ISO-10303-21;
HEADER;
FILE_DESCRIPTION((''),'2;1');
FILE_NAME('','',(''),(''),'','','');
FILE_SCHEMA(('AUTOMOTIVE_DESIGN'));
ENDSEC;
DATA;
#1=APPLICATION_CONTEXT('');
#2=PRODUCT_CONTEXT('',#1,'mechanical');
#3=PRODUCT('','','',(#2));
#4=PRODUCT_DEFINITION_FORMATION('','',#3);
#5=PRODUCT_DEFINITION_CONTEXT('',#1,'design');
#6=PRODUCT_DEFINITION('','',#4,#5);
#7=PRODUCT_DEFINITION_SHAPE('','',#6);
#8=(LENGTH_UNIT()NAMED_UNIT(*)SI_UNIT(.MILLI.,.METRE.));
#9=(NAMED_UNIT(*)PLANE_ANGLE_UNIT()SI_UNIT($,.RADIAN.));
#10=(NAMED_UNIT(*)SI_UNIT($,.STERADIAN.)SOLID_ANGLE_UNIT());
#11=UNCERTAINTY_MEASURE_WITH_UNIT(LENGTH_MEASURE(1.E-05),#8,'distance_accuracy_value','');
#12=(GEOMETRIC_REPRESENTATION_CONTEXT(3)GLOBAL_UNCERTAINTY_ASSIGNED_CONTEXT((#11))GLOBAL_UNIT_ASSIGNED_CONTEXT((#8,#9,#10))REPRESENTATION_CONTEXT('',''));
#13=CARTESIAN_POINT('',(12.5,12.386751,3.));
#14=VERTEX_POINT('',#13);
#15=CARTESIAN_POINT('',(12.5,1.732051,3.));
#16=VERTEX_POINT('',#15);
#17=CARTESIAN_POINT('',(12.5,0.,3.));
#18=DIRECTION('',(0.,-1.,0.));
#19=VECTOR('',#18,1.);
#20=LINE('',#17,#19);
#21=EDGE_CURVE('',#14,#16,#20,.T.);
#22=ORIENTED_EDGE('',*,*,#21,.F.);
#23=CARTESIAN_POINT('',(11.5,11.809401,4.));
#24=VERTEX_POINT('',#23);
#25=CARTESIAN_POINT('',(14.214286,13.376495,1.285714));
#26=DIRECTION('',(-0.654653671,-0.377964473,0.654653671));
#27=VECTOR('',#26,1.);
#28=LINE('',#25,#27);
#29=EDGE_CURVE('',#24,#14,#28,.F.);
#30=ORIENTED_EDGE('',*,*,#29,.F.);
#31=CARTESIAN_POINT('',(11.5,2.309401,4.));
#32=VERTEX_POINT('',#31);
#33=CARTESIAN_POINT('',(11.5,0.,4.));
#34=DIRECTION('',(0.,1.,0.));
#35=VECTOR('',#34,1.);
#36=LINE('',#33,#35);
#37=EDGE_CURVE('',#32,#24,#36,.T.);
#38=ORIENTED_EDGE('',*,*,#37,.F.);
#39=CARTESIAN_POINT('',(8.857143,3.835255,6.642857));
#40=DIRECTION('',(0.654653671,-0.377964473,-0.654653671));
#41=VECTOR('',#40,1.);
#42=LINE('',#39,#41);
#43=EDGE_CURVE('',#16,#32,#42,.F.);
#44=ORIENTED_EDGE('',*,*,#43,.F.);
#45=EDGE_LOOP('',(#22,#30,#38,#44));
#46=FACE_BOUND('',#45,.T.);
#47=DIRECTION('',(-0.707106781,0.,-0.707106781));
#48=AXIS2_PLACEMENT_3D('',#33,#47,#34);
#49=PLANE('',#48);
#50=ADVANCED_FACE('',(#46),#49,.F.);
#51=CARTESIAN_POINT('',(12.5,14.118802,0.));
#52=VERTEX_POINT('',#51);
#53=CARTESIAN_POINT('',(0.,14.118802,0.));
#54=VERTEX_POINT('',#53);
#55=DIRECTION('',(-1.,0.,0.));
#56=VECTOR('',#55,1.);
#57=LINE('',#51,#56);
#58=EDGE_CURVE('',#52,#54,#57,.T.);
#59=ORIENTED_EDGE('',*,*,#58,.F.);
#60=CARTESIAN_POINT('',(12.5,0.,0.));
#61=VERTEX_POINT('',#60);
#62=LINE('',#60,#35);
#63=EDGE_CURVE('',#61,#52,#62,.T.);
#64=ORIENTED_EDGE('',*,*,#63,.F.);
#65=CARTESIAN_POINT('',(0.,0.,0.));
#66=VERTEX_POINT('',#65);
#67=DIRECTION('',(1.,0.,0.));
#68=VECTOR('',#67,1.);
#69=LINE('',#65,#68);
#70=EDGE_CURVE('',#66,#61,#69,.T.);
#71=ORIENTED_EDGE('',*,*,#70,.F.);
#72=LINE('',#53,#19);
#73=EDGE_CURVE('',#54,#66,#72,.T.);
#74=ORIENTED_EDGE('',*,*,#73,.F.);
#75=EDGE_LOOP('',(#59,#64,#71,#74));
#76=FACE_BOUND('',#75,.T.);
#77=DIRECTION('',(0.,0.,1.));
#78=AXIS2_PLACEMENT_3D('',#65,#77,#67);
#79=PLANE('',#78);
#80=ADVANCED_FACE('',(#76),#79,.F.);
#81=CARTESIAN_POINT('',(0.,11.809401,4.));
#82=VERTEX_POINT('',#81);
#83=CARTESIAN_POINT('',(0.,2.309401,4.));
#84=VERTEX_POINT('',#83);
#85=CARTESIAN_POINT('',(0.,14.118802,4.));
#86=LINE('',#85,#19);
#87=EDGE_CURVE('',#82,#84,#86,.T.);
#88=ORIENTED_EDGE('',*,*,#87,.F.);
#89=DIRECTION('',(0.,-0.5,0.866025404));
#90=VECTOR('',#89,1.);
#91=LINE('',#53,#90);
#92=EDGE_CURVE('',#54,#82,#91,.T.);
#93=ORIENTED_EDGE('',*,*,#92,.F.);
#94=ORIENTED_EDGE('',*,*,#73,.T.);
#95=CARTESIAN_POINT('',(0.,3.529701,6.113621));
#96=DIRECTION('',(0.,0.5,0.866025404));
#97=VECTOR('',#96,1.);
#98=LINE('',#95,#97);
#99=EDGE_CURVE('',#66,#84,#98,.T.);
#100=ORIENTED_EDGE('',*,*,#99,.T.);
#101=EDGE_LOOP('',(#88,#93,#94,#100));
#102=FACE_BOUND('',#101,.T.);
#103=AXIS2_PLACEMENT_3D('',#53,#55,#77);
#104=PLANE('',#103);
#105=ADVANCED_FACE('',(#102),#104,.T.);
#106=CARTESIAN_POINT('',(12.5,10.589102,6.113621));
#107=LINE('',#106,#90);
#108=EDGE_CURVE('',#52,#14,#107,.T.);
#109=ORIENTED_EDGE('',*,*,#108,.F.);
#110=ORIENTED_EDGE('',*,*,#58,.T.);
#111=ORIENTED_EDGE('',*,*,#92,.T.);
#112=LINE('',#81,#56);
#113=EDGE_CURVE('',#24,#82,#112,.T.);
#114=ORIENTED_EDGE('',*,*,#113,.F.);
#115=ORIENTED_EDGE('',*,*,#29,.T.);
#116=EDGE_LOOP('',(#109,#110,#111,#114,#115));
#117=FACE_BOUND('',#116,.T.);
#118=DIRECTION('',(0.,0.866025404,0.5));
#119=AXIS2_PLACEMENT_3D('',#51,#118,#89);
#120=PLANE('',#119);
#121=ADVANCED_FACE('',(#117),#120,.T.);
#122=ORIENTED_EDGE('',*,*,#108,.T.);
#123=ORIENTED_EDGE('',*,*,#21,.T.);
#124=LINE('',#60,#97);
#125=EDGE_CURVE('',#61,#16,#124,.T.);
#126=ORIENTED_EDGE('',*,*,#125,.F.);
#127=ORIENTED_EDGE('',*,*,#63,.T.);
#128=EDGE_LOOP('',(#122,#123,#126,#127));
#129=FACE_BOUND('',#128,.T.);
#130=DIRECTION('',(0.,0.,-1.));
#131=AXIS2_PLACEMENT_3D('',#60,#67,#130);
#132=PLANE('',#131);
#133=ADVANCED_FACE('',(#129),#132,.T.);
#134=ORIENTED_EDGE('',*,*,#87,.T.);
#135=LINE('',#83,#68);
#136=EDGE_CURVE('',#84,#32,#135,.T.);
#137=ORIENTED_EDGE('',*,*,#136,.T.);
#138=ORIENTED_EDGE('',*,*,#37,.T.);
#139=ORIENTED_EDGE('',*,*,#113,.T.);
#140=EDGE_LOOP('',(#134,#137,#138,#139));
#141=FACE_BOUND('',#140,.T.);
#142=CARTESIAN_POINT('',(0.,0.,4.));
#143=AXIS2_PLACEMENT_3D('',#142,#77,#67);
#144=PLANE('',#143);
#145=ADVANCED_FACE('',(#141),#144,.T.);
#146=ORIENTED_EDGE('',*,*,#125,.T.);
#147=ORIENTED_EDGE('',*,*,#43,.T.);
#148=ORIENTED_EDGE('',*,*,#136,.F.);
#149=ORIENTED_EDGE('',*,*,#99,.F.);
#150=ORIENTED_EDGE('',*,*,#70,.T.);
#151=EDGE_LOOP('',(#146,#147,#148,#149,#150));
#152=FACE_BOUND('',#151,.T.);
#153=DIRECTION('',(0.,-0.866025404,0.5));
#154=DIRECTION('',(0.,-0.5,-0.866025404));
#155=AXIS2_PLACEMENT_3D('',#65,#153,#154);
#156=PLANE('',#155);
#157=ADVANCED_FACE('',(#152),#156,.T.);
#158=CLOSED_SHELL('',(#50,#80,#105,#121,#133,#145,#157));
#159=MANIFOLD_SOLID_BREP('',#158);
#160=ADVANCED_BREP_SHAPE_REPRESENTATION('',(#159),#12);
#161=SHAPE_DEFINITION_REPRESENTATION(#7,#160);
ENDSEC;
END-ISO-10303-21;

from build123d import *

# Parameters (mm, degrees)
SKETCH1_W           = 12.5
SKETCH1_H           = 14.118802154
BOSS_EXTRUDE1_DEPTH = 4
DRAFT1_ANGLE        = -30
CHAMFER1_SIZE       = 1


with BuildPart() as part:
    # Sketch1 → Boss-Extrude1 (new body)
    with BuildSketch(Plane.XY.offset(4)):
        with Locations((6.25, 7.059401077)):
            Rectangle(SKETCH1_W, SKETCH1_H)
    extrude(amount=-BOSS_EXTRUDE1_DEPTH)

    # Draft1
    draft1_faces = [part.faces().sort_by_distance(p)[0] for p in [
        (6.25, 14.118802154, 2),
        (6.25, 0, 2),
    ]]
    draft(draft1_faces, Plane(origin=(0, 0, 0), x_dir=(-1, 0, 0), z_dir=(0, 0, -1)), DRAFT1_ANGLE)

    # Chamfer1
    chamfer1_edges = [part.edges().sort_by_distance(p)[0] for p in [
        (12.5, 7.059401077, 4),
    ]]
    chamfer(chamfer1_edges, length=CHAMFER1_SIZE)


solid = part.part
